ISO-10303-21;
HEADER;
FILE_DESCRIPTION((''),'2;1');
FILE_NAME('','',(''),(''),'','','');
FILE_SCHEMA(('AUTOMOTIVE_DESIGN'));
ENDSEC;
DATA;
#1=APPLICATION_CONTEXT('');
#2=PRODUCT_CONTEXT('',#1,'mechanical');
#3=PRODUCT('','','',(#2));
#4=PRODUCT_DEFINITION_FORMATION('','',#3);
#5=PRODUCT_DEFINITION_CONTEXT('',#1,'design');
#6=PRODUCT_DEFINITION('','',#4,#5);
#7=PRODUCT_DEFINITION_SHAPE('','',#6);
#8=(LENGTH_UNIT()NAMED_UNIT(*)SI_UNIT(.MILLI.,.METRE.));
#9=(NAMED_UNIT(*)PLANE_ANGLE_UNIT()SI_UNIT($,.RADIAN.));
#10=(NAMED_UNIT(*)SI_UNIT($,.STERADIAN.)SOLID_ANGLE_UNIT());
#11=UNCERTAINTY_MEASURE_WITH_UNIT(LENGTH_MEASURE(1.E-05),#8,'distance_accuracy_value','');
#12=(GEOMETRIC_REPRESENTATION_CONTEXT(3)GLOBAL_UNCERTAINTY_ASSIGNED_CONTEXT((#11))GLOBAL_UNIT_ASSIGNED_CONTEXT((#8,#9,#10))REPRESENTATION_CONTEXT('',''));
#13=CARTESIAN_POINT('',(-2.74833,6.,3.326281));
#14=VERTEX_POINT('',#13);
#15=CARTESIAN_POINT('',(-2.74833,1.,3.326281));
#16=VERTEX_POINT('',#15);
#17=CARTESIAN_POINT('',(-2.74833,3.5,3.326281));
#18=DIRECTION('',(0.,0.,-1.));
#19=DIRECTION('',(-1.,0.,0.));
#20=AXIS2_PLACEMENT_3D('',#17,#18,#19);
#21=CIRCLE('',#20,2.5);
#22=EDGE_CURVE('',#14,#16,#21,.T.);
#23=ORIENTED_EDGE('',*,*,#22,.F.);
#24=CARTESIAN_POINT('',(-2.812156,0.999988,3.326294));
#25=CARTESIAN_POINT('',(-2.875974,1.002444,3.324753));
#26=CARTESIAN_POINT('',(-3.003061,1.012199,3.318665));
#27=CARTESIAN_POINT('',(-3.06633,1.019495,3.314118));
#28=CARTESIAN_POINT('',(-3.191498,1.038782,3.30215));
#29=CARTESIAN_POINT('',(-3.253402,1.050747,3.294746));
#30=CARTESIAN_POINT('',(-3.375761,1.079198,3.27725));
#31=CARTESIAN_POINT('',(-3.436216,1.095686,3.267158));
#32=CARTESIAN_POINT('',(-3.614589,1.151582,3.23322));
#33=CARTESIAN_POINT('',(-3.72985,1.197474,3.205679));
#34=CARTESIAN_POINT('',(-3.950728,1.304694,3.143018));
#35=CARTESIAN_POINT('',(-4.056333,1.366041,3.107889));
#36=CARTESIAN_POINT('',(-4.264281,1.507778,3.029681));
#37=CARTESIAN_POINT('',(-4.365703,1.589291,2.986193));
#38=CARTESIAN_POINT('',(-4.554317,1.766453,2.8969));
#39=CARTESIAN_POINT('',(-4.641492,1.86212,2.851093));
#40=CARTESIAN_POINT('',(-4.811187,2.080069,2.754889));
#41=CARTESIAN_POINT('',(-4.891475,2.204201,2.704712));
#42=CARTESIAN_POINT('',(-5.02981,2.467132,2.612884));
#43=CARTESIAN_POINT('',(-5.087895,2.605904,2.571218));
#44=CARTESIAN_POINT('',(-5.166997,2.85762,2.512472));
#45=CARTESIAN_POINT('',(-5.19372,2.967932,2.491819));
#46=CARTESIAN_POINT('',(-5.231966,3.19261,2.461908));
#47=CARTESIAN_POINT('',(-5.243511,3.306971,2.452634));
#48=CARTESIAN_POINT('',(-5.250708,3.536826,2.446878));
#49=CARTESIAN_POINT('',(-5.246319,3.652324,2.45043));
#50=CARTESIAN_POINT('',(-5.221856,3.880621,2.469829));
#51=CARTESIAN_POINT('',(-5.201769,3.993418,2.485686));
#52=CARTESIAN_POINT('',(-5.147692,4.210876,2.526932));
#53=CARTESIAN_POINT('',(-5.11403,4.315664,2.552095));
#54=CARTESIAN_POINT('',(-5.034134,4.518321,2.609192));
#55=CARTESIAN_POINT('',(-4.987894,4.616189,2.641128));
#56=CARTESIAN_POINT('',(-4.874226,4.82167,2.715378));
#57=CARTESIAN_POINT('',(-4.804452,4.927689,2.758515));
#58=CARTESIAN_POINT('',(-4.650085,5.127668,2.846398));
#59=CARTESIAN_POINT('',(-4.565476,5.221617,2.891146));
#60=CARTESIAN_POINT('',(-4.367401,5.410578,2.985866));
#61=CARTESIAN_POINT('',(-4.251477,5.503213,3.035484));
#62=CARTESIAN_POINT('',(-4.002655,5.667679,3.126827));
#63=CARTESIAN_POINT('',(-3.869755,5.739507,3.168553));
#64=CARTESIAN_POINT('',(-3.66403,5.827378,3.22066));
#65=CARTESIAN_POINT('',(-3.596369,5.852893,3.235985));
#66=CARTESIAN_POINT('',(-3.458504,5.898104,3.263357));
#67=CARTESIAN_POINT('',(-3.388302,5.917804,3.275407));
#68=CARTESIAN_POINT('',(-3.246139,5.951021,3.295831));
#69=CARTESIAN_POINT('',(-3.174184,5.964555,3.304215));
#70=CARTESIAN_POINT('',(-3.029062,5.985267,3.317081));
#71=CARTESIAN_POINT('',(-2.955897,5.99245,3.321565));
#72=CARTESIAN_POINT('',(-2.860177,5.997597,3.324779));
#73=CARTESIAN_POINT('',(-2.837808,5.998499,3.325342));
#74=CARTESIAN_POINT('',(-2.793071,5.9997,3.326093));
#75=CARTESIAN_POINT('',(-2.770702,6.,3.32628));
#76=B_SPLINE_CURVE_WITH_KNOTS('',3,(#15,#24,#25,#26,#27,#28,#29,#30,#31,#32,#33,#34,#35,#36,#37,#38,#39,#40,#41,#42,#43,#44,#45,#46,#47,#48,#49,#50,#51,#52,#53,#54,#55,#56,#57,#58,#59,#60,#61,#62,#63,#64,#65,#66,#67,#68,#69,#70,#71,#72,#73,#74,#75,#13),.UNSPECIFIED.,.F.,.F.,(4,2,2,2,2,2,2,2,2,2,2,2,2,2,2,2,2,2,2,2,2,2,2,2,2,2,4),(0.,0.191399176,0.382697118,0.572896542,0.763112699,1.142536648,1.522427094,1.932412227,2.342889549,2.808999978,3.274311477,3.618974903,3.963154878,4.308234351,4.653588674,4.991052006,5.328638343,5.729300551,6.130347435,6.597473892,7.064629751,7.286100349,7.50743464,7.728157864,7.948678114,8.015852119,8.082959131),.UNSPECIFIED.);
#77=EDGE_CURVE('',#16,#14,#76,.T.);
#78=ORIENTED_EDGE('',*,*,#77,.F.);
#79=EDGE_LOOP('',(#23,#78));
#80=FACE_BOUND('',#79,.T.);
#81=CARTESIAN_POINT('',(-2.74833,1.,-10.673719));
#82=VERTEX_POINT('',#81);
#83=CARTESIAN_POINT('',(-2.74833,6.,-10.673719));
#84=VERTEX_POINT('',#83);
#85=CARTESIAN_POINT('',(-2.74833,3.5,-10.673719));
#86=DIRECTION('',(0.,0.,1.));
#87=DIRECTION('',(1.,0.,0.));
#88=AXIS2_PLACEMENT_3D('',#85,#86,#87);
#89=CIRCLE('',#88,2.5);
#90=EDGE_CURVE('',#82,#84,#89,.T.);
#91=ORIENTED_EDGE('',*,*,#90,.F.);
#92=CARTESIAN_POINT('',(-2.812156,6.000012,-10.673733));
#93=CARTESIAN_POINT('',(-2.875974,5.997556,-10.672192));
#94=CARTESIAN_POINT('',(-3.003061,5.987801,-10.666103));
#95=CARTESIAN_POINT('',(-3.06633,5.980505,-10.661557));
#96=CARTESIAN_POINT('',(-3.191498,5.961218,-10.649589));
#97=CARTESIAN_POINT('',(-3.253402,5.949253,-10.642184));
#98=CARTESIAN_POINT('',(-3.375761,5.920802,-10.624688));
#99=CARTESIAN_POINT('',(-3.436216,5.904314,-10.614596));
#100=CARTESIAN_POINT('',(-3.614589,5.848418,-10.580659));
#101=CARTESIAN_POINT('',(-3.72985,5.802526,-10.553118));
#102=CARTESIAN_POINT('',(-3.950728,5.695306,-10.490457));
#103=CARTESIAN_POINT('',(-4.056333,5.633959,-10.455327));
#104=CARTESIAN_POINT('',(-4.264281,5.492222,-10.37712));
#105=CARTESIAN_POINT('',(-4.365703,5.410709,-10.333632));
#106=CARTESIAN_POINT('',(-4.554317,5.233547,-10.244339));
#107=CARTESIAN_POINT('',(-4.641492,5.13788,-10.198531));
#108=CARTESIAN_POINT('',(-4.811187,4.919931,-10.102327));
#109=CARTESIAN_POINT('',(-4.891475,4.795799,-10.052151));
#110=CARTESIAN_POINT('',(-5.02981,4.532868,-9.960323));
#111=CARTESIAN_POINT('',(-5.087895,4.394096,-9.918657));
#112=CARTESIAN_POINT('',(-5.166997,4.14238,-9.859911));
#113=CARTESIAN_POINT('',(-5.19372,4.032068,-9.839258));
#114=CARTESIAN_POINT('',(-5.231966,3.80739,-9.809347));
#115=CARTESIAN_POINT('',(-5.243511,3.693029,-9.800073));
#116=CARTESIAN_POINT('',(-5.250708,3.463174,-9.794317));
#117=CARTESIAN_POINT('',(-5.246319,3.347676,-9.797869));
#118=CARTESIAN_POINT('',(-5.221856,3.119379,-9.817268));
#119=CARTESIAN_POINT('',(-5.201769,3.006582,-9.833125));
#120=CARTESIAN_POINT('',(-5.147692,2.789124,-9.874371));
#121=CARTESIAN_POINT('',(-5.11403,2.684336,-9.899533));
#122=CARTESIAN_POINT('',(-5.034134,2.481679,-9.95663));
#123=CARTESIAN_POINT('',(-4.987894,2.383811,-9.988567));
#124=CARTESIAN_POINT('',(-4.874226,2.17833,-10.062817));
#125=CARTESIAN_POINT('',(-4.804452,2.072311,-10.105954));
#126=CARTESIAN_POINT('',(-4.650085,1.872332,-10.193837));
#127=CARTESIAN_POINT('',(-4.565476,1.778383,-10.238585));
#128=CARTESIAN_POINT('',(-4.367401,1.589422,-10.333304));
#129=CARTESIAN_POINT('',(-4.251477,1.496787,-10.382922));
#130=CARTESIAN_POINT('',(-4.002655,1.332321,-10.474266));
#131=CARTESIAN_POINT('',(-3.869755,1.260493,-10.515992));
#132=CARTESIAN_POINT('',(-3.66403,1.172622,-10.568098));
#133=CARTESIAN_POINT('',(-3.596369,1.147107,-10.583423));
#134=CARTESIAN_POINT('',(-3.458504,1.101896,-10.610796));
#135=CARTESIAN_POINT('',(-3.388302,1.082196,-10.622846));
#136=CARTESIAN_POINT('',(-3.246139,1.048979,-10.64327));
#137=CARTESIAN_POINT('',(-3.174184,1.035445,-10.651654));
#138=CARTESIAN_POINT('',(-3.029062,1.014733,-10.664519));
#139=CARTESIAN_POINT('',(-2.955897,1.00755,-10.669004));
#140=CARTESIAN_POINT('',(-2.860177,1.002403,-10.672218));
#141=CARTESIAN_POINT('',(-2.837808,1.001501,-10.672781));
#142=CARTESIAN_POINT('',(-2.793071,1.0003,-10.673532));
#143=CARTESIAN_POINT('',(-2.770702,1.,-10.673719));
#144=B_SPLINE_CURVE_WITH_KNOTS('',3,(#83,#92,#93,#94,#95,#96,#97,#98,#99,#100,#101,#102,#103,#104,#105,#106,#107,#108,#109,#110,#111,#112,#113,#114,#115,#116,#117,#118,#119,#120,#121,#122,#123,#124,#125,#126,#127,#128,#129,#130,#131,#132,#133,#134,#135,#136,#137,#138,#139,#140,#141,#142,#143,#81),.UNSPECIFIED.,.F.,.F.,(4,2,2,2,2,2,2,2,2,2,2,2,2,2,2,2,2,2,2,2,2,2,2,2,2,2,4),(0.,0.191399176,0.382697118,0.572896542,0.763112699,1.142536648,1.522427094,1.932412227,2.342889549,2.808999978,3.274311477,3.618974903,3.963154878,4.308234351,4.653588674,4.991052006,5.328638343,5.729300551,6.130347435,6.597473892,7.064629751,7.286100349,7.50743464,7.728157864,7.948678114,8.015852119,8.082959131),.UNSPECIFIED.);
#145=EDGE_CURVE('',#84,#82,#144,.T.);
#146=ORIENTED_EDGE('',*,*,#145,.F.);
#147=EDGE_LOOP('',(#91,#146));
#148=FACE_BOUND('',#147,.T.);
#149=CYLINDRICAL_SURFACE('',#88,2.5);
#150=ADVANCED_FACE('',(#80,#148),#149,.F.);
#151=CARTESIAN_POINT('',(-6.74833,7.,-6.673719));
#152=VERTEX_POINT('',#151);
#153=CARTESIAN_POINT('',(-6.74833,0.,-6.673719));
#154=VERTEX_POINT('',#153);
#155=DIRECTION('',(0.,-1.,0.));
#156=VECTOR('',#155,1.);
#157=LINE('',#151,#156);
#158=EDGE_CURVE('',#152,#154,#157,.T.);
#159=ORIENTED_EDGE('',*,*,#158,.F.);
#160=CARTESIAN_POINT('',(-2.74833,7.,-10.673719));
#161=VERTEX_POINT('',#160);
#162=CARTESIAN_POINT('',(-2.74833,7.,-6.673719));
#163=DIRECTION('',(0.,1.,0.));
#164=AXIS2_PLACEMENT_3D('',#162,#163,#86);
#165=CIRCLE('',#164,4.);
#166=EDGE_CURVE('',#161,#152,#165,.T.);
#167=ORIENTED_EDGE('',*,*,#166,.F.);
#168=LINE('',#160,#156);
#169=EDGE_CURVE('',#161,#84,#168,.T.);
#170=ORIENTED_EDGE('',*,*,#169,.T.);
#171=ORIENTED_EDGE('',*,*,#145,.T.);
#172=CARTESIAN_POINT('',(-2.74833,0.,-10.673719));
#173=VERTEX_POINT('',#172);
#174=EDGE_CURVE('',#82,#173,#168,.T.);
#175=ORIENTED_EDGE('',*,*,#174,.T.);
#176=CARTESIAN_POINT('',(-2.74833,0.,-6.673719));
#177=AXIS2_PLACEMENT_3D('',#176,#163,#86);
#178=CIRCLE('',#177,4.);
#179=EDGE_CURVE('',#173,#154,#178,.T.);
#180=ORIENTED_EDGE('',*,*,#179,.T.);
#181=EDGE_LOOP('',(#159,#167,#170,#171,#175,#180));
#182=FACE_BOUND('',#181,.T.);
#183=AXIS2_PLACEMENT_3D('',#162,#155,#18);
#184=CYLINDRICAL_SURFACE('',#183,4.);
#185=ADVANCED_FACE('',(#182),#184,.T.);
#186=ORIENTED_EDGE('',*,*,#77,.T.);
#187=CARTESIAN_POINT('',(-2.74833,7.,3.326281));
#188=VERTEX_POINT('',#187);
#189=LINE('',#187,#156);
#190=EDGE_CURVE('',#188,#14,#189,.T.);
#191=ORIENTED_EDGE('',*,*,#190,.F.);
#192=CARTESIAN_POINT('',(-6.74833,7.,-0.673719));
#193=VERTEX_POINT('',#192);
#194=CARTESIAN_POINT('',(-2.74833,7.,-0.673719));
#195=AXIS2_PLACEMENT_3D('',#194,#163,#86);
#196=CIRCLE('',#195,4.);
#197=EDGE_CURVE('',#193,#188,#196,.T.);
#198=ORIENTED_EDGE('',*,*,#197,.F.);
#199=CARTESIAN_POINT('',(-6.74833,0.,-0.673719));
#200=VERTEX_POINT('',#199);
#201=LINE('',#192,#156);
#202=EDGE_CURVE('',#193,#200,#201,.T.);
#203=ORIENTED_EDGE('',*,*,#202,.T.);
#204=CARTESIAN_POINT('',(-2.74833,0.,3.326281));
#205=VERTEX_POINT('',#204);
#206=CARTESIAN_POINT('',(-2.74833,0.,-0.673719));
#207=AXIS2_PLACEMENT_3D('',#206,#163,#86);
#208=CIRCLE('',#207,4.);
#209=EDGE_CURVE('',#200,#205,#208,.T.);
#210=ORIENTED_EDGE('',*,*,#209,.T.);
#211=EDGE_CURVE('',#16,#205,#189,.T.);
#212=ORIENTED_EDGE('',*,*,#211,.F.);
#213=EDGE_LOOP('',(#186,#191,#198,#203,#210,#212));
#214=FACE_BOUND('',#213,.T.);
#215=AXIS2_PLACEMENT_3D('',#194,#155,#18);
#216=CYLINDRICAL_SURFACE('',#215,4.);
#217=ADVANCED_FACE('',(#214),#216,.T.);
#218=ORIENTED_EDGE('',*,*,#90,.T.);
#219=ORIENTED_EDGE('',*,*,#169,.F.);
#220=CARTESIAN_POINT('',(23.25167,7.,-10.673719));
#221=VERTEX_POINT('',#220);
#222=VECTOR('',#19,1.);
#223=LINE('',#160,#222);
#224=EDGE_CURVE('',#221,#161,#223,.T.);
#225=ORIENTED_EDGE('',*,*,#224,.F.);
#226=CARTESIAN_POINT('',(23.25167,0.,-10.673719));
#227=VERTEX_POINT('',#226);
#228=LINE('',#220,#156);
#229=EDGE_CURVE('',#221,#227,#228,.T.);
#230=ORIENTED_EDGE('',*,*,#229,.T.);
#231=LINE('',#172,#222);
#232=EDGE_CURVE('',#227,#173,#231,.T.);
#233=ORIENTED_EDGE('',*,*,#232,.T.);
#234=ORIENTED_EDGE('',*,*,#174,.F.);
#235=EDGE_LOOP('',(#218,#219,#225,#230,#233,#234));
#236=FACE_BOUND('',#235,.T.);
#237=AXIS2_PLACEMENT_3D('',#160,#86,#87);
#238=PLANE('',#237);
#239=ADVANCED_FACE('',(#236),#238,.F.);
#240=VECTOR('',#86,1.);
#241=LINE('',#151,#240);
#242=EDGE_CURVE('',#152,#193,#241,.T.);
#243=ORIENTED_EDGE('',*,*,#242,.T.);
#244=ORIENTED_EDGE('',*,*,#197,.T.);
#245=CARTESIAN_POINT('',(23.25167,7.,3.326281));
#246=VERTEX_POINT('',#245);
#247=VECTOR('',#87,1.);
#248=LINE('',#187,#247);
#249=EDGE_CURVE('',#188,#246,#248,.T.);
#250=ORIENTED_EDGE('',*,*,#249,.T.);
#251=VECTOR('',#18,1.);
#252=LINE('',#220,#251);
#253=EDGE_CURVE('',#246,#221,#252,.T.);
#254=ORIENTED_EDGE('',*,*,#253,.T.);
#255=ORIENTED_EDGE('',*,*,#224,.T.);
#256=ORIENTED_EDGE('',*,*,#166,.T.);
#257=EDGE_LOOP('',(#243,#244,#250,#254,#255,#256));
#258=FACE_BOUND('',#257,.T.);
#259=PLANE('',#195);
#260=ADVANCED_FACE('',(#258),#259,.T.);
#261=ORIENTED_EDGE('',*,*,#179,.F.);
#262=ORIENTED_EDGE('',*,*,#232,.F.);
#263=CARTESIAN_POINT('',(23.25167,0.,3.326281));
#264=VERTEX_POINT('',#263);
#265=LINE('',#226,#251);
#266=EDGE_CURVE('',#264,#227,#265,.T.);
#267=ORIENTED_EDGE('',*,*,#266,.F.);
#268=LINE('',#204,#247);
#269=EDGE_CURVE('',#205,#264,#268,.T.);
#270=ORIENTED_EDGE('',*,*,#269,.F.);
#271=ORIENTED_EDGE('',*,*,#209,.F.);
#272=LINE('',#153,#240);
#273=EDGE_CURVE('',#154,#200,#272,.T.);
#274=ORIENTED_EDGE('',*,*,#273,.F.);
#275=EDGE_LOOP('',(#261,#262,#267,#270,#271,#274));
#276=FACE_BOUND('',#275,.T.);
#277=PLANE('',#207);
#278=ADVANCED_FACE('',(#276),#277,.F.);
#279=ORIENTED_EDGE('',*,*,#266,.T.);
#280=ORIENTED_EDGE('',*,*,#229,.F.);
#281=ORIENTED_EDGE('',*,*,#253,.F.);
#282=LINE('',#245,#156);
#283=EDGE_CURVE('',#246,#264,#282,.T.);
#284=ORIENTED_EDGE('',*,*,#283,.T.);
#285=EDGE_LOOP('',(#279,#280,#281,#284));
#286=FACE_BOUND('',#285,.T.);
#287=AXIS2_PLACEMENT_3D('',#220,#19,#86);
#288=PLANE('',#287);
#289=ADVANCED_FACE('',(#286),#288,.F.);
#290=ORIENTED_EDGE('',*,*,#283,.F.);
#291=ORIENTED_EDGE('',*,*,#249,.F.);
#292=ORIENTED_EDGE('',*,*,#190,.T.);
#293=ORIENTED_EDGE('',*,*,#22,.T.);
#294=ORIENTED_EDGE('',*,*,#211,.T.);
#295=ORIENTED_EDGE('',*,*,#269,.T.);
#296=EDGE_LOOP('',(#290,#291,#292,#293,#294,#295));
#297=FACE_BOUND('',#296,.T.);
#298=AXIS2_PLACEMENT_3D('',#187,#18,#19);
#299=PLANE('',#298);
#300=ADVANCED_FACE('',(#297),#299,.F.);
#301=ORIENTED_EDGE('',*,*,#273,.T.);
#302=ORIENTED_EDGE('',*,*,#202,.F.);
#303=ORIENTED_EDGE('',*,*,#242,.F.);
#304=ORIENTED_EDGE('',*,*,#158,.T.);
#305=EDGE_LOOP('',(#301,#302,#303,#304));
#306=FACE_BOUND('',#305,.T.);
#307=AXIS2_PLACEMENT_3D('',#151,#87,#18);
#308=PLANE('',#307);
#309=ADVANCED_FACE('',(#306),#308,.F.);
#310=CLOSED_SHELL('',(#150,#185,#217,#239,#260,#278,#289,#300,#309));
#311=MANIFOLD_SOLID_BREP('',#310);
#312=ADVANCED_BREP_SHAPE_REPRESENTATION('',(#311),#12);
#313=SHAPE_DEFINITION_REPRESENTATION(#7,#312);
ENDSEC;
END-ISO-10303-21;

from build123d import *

# Parameters (mm, degrees)
BOSS_EXTRUDE1_DEPTH = 7
SKETCH3_R           = 2.5
CUT_EXTRUDE1_DEPTH  = 14


with BuildPart() as part:
    # Sketch2 → Boss-Extrude1 (new body)
    with BuildSketch(Plane(origin=(0, 0, 0), x_dir=(1, 0, 0), z_dir=(0, 1, 0))):
        with BuildLine():
            Line((-2.748329621, 10.673719376), (23.251670379, 10.673719376))
            Line((23.251670379, 10.673719376), (23.251670379, -3.326280624))
            Line((23.251670379, -3.326280624), (-2.748329621, -3.326280624))
            ThreePointArc((-2.748329621, -3.326280624), (-5.576756746, -2.154707748), (-6.748329621, 0.673719376))
            Line((-6.748329621, 0.673719376), (-6.748329621, 6.673719376))
            ThreePointArc((-6.748329621, 6.673719376), (-5.576756746, 9.502146501), (-2.748329621, 10.673719376))
        make_face()
    extrude(amount=BOSS_EXTRUDE1_DEPTH)

    # Sketch3 → Cut-Extrude1 (cut)
    with BuildSketch(Plane.XY.offset(3.326280624)):
        with Locations((-2.748329621, 3.5)):
            Circle(SKETCH3_R)
    extrude(amount=-CUT_EXTRUDE1_DEPTH, mode=Mode.SUBTRACT)


solid = part.part
